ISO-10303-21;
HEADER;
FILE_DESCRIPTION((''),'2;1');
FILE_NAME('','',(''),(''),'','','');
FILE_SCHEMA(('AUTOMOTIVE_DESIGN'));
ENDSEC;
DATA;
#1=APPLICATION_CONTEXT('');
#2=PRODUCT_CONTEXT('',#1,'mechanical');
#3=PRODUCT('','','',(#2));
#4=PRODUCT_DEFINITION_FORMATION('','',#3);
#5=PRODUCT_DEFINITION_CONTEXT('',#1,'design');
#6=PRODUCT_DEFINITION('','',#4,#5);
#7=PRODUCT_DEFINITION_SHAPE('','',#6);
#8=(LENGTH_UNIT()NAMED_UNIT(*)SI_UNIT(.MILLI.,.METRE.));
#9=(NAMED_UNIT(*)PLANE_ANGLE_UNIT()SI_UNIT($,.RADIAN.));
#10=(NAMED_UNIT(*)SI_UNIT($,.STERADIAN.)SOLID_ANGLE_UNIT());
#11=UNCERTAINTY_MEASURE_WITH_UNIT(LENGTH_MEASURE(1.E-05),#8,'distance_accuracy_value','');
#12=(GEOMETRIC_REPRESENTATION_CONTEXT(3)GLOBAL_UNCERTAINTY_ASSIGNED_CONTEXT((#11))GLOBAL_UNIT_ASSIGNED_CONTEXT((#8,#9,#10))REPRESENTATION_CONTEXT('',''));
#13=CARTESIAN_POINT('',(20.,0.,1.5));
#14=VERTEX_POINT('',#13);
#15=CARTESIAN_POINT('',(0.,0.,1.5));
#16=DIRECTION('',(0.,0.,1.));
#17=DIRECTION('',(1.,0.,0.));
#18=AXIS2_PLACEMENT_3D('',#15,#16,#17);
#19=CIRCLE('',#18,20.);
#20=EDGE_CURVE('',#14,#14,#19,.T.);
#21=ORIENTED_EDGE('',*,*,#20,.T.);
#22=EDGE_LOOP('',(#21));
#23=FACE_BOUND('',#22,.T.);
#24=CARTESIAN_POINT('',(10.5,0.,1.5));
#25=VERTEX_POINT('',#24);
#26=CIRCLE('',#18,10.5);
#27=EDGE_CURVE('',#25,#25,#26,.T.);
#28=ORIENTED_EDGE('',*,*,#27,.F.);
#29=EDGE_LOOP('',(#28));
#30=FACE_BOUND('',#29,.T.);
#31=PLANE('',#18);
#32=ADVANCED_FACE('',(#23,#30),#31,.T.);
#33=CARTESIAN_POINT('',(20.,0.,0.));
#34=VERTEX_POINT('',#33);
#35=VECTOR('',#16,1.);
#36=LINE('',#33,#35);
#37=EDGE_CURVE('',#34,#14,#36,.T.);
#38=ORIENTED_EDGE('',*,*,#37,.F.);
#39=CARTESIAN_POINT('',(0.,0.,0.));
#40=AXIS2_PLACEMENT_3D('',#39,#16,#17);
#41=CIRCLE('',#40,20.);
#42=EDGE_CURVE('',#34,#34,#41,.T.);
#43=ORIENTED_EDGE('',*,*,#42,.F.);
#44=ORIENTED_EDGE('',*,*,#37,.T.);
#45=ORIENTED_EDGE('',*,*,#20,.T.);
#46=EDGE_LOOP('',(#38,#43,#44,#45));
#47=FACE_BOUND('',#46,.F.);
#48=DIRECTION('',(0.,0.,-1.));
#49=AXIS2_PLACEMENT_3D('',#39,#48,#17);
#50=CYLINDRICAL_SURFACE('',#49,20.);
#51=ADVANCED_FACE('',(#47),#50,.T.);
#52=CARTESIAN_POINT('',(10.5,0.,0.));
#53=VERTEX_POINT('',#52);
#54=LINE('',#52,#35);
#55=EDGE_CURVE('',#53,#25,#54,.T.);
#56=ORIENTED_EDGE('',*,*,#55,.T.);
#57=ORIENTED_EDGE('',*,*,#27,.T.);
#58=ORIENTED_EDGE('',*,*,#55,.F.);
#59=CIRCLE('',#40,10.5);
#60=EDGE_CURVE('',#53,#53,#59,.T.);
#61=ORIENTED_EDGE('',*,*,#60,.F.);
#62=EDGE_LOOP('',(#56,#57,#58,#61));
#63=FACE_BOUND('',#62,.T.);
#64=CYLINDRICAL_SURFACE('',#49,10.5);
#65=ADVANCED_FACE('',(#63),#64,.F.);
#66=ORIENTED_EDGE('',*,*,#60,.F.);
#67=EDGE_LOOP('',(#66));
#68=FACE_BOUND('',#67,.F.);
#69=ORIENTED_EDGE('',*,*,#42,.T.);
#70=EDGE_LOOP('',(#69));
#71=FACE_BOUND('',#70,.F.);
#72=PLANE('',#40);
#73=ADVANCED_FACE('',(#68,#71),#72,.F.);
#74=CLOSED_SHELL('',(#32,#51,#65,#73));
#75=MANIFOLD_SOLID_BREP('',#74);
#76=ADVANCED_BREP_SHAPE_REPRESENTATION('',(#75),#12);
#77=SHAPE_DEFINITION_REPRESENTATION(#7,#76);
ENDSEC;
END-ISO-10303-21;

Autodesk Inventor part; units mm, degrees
ref_plane "YZ Plane" through (0, 0, 0) normal (1, 0, 0) x (0, 1, 0)
ref_plane "XZ Plane" through (0, 0, 0) normal (0, 1, 0) x (-1, 0, 0)
ref_plane "XY Plane" through (0, 0, 0) normal (0, 0, 1) x (1, 0, 0)
sketch "Sketch1" plane through (0, 0, 0) normal (0, 0, 1) x (1, 0, 0)
  circle A0 centre (0, 0) radius 10.5
  circle A1 centre (0, 0) radius 20
  dimension "d0" = 21
  dimension "d1" = 40
extrude "Extrusion1" add sketch "Sketch1" along normal blind 1.5
properties part number "dystans kasuacy luzy"
